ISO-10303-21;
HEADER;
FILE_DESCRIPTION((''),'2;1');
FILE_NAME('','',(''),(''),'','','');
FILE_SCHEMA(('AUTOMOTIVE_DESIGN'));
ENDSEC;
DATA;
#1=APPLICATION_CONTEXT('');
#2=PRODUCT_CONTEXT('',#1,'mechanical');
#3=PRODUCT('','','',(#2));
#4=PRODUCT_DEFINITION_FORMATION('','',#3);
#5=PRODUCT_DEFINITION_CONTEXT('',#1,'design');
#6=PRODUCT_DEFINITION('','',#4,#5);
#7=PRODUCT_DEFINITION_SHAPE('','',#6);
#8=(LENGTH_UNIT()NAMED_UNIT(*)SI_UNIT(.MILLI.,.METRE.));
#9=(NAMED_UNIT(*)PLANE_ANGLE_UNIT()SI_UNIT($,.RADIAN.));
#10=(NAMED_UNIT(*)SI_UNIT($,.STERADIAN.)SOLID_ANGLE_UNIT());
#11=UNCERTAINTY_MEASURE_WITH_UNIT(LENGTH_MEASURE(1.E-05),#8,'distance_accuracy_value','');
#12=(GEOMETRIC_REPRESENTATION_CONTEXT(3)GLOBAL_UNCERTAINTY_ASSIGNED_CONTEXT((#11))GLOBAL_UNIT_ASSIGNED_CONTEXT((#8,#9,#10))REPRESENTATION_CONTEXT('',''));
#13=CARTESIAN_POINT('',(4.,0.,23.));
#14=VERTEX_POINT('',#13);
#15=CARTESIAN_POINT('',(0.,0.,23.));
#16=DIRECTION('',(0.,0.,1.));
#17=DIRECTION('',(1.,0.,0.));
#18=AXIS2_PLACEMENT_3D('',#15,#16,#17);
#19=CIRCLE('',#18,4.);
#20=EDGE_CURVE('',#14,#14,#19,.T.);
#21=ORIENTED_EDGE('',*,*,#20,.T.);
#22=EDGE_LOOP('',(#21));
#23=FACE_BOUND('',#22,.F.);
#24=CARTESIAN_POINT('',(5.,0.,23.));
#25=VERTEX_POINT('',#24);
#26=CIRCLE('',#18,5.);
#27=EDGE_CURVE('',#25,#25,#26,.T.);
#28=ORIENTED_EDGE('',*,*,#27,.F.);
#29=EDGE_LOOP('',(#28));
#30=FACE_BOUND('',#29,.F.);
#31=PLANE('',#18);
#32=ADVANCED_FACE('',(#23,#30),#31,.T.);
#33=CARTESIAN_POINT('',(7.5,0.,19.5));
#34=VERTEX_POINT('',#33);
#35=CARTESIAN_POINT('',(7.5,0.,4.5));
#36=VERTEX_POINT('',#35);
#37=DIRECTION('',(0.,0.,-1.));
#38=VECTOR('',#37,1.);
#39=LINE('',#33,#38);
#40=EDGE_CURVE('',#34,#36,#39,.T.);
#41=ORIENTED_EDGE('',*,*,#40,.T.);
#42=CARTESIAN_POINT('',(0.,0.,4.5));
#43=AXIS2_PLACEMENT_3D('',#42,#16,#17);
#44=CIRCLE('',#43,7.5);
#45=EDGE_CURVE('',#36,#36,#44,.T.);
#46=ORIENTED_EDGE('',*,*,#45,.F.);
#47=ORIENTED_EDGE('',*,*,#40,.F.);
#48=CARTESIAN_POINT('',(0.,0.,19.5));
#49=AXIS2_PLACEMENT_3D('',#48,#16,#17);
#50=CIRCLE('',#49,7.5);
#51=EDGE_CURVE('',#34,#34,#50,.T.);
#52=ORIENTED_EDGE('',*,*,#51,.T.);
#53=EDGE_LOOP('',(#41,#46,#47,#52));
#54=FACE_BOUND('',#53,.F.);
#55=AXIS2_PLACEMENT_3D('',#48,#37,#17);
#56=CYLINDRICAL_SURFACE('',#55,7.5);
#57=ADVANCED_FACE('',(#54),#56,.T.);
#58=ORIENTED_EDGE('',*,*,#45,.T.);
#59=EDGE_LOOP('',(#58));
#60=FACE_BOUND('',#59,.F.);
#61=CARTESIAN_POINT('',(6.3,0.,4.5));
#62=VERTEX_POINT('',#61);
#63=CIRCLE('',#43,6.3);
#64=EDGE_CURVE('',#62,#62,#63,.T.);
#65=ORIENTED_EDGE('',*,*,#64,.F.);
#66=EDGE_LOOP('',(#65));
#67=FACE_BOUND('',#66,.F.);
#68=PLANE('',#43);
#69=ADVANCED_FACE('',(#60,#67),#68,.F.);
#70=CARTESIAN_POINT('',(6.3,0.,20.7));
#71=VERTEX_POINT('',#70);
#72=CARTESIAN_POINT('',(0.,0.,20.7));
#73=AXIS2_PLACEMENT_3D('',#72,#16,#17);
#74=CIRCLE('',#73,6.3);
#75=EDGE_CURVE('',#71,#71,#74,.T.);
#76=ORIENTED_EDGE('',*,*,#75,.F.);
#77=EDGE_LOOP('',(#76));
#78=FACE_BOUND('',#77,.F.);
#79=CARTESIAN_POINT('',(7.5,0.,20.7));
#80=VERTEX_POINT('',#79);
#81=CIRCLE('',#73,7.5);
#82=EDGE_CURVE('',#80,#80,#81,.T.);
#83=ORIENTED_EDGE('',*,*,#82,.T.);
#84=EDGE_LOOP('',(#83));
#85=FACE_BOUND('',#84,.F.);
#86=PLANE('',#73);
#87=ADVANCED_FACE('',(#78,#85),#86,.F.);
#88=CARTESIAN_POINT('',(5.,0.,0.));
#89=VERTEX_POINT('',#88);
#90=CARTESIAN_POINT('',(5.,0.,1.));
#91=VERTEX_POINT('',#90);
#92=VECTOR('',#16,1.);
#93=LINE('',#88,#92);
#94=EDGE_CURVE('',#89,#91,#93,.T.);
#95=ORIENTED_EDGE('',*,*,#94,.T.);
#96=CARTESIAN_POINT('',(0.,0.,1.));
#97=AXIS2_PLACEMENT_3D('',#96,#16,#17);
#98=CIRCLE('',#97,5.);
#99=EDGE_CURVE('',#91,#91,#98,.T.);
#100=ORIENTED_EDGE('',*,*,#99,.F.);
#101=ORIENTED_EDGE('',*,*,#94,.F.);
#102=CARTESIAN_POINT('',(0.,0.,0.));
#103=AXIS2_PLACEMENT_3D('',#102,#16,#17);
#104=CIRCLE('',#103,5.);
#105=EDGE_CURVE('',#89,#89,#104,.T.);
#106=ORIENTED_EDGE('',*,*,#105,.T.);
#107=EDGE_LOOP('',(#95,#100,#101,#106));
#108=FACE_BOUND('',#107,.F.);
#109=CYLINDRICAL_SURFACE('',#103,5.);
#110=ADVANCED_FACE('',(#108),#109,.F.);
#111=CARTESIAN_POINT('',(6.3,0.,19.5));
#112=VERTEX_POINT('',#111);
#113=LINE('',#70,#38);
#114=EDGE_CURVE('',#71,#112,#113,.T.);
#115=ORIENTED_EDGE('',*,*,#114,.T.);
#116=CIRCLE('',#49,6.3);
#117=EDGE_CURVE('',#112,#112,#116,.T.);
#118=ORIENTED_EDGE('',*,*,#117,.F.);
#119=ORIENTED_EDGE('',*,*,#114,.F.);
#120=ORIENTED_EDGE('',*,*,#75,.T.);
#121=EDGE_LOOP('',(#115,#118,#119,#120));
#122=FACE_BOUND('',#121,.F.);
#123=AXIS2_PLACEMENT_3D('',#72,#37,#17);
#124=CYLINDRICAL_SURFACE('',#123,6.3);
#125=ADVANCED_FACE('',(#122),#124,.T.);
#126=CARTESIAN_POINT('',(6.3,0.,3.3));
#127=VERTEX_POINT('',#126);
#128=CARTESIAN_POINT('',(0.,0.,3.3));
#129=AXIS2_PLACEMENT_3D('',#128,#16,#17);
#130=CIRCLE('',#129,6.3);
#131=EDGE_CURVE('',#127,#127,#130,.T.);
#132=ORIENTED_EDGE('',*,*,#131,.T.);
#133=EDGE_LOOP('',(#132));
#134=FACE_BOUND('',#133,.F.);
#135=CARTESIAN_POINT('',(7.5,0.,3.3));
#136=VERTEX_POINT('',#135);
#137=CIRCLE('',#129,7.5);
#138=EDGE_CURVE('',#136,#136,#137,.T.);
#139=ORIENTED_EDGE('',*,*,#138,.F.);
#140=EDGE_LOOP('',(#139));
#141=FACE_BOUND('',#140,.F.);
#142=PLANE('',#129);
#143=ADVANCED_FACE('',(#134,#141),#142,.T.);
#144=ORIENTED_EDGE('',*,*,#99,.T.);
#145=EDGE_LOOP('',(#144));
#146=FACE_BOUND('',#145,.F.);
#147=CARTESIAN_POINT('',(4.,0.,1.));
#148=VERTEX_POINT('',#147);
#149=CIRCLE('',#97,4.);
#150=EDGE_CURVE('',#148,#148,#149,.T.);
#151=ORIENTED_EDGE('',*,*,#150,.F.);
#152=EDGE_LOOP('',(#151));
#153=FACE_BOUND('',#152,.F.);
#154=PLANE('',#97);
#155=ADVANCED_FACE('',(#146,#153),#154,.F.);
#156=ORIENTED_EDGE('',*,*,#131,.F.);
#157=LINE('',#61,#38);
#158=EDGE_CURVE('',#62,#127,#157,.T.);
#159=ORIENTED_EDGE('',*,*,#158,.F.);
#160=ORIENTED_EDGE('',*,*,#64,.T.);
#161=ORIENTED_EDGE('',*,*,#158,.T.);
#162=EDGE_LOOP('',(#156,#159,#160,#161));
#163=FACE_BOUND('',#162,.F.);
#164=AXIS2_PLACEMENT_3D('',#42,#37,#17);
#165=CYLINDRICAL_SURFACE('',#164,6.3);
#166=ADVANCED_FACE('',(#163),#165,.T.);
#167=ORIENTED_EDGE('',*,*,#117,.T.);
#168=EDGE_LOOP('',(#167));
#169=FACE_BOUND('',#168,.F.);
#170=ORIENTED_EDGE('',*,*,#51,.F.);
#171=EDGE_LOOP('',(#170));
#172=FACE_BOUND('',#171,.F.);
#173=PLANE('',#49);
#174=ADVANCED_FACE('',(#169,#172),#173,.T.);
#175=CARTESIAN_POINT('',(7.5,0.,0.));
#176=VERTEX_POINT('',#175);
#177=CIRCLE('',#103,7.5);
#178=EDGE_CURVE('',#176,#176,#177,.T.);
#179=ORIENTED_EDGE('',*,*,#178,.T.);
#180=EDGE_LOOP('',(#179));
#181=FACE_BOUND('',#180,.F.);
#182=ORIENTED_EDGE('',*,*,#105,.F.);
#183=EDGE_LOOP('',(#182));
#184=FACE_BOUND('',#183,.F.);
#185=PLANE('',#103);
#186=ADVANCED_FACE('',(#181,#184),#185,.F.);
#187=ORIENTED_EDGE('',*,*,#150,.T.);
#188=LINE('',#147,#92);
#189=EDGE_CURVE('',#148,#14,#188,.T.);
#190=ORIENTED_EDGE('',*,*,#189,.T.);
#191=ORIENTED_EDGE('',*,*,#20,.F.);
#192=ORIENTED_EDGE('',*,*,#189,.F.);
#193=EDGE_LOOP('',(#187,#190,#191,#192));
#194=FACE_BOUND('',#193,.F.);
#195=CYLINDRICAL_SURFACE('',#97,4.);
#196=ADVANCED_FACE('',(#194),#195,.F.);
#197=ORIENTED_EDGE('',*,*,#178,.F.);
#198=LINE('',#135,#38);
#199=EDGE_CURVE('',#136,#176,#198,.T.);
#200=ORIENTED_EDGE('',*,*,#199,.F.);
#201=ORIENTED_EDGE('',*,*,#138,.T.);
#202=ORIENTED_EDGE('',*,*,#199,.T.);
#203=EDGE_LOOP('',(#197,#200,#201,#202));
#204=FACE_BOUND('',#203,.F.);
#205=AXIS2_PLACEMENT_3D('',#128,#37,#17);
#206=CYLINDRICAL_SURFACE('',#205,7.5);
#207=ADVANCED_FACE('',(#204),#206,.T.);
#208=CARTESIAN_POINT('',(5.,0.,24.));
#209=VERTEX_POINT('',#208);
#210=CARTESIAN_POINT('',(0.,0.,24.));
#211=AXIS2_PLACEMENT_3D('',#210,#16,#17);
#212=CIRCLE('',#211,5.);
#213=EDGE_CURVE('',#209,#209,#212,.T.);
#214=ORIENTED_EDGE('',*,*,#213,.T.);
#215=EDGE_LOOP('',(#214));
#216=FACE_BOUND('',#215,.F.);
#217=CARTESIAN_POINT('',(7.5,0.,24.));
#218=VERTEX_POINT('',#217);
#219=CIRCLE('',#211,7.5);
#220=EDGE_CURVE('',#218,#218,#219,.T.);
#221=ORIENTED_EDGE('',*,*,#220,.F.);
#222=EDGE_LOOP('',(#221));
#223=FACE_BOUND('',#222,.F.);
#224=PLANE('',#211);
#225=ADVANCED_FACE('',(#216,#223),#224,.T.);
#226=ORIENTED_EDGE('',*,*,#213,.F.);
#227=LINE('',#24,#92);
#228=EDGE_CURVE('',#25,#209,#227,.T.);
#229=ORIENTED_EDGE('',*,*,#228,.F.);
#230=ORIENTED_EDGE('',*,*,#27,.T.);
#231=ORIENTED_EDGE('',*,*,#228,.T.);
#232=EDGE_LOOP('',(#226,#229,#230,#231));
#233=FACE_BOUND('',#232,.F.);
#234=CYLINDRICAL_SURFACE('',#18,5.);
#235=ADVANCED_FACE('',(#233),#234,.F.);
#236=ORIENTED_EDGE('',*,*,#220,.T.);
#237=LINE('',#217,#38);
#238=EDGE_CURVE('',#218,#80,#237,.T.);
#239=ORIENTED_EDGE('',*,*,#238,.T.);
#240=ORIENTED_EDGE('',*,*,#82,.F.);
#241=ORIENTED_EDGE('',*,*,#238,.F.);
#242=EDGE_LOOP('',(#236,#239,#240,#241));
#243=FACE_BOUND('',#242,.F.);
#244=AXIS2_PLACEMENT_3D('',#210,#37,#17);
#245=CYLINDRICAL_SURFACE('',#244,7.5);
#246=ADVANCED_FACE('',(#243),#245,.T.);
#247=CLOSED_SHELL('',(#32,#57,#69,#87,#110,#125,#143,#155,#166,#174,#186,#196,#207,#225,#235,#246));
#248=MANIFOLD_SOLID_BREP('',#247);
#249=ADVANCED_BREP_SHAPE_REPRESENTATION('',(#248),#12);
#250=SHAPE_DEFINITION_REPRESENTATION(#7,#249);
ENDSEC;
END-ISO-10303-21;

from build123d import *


with BuildPart() as part:
    # Sketch → Revolution (revolve)
    with BuildSketch(Plane.XZ):
        Polygon((4, 1), (4, 23), (5, 23), (5, 24), (7.5, 24), (7.5, 20.7), (6.3, 20.7), (6.3, 19.5), (7.5, 19.5), (7.5, 4.5), (6.3, 4.5), (6.3, 3.3), (7.5, 3.3), (7.5, 0), (5, 0), (5, 1), align=None)
    revolve(axis=Axis((0, 0, 0), (0, 0, 1)))


solid = part.part
